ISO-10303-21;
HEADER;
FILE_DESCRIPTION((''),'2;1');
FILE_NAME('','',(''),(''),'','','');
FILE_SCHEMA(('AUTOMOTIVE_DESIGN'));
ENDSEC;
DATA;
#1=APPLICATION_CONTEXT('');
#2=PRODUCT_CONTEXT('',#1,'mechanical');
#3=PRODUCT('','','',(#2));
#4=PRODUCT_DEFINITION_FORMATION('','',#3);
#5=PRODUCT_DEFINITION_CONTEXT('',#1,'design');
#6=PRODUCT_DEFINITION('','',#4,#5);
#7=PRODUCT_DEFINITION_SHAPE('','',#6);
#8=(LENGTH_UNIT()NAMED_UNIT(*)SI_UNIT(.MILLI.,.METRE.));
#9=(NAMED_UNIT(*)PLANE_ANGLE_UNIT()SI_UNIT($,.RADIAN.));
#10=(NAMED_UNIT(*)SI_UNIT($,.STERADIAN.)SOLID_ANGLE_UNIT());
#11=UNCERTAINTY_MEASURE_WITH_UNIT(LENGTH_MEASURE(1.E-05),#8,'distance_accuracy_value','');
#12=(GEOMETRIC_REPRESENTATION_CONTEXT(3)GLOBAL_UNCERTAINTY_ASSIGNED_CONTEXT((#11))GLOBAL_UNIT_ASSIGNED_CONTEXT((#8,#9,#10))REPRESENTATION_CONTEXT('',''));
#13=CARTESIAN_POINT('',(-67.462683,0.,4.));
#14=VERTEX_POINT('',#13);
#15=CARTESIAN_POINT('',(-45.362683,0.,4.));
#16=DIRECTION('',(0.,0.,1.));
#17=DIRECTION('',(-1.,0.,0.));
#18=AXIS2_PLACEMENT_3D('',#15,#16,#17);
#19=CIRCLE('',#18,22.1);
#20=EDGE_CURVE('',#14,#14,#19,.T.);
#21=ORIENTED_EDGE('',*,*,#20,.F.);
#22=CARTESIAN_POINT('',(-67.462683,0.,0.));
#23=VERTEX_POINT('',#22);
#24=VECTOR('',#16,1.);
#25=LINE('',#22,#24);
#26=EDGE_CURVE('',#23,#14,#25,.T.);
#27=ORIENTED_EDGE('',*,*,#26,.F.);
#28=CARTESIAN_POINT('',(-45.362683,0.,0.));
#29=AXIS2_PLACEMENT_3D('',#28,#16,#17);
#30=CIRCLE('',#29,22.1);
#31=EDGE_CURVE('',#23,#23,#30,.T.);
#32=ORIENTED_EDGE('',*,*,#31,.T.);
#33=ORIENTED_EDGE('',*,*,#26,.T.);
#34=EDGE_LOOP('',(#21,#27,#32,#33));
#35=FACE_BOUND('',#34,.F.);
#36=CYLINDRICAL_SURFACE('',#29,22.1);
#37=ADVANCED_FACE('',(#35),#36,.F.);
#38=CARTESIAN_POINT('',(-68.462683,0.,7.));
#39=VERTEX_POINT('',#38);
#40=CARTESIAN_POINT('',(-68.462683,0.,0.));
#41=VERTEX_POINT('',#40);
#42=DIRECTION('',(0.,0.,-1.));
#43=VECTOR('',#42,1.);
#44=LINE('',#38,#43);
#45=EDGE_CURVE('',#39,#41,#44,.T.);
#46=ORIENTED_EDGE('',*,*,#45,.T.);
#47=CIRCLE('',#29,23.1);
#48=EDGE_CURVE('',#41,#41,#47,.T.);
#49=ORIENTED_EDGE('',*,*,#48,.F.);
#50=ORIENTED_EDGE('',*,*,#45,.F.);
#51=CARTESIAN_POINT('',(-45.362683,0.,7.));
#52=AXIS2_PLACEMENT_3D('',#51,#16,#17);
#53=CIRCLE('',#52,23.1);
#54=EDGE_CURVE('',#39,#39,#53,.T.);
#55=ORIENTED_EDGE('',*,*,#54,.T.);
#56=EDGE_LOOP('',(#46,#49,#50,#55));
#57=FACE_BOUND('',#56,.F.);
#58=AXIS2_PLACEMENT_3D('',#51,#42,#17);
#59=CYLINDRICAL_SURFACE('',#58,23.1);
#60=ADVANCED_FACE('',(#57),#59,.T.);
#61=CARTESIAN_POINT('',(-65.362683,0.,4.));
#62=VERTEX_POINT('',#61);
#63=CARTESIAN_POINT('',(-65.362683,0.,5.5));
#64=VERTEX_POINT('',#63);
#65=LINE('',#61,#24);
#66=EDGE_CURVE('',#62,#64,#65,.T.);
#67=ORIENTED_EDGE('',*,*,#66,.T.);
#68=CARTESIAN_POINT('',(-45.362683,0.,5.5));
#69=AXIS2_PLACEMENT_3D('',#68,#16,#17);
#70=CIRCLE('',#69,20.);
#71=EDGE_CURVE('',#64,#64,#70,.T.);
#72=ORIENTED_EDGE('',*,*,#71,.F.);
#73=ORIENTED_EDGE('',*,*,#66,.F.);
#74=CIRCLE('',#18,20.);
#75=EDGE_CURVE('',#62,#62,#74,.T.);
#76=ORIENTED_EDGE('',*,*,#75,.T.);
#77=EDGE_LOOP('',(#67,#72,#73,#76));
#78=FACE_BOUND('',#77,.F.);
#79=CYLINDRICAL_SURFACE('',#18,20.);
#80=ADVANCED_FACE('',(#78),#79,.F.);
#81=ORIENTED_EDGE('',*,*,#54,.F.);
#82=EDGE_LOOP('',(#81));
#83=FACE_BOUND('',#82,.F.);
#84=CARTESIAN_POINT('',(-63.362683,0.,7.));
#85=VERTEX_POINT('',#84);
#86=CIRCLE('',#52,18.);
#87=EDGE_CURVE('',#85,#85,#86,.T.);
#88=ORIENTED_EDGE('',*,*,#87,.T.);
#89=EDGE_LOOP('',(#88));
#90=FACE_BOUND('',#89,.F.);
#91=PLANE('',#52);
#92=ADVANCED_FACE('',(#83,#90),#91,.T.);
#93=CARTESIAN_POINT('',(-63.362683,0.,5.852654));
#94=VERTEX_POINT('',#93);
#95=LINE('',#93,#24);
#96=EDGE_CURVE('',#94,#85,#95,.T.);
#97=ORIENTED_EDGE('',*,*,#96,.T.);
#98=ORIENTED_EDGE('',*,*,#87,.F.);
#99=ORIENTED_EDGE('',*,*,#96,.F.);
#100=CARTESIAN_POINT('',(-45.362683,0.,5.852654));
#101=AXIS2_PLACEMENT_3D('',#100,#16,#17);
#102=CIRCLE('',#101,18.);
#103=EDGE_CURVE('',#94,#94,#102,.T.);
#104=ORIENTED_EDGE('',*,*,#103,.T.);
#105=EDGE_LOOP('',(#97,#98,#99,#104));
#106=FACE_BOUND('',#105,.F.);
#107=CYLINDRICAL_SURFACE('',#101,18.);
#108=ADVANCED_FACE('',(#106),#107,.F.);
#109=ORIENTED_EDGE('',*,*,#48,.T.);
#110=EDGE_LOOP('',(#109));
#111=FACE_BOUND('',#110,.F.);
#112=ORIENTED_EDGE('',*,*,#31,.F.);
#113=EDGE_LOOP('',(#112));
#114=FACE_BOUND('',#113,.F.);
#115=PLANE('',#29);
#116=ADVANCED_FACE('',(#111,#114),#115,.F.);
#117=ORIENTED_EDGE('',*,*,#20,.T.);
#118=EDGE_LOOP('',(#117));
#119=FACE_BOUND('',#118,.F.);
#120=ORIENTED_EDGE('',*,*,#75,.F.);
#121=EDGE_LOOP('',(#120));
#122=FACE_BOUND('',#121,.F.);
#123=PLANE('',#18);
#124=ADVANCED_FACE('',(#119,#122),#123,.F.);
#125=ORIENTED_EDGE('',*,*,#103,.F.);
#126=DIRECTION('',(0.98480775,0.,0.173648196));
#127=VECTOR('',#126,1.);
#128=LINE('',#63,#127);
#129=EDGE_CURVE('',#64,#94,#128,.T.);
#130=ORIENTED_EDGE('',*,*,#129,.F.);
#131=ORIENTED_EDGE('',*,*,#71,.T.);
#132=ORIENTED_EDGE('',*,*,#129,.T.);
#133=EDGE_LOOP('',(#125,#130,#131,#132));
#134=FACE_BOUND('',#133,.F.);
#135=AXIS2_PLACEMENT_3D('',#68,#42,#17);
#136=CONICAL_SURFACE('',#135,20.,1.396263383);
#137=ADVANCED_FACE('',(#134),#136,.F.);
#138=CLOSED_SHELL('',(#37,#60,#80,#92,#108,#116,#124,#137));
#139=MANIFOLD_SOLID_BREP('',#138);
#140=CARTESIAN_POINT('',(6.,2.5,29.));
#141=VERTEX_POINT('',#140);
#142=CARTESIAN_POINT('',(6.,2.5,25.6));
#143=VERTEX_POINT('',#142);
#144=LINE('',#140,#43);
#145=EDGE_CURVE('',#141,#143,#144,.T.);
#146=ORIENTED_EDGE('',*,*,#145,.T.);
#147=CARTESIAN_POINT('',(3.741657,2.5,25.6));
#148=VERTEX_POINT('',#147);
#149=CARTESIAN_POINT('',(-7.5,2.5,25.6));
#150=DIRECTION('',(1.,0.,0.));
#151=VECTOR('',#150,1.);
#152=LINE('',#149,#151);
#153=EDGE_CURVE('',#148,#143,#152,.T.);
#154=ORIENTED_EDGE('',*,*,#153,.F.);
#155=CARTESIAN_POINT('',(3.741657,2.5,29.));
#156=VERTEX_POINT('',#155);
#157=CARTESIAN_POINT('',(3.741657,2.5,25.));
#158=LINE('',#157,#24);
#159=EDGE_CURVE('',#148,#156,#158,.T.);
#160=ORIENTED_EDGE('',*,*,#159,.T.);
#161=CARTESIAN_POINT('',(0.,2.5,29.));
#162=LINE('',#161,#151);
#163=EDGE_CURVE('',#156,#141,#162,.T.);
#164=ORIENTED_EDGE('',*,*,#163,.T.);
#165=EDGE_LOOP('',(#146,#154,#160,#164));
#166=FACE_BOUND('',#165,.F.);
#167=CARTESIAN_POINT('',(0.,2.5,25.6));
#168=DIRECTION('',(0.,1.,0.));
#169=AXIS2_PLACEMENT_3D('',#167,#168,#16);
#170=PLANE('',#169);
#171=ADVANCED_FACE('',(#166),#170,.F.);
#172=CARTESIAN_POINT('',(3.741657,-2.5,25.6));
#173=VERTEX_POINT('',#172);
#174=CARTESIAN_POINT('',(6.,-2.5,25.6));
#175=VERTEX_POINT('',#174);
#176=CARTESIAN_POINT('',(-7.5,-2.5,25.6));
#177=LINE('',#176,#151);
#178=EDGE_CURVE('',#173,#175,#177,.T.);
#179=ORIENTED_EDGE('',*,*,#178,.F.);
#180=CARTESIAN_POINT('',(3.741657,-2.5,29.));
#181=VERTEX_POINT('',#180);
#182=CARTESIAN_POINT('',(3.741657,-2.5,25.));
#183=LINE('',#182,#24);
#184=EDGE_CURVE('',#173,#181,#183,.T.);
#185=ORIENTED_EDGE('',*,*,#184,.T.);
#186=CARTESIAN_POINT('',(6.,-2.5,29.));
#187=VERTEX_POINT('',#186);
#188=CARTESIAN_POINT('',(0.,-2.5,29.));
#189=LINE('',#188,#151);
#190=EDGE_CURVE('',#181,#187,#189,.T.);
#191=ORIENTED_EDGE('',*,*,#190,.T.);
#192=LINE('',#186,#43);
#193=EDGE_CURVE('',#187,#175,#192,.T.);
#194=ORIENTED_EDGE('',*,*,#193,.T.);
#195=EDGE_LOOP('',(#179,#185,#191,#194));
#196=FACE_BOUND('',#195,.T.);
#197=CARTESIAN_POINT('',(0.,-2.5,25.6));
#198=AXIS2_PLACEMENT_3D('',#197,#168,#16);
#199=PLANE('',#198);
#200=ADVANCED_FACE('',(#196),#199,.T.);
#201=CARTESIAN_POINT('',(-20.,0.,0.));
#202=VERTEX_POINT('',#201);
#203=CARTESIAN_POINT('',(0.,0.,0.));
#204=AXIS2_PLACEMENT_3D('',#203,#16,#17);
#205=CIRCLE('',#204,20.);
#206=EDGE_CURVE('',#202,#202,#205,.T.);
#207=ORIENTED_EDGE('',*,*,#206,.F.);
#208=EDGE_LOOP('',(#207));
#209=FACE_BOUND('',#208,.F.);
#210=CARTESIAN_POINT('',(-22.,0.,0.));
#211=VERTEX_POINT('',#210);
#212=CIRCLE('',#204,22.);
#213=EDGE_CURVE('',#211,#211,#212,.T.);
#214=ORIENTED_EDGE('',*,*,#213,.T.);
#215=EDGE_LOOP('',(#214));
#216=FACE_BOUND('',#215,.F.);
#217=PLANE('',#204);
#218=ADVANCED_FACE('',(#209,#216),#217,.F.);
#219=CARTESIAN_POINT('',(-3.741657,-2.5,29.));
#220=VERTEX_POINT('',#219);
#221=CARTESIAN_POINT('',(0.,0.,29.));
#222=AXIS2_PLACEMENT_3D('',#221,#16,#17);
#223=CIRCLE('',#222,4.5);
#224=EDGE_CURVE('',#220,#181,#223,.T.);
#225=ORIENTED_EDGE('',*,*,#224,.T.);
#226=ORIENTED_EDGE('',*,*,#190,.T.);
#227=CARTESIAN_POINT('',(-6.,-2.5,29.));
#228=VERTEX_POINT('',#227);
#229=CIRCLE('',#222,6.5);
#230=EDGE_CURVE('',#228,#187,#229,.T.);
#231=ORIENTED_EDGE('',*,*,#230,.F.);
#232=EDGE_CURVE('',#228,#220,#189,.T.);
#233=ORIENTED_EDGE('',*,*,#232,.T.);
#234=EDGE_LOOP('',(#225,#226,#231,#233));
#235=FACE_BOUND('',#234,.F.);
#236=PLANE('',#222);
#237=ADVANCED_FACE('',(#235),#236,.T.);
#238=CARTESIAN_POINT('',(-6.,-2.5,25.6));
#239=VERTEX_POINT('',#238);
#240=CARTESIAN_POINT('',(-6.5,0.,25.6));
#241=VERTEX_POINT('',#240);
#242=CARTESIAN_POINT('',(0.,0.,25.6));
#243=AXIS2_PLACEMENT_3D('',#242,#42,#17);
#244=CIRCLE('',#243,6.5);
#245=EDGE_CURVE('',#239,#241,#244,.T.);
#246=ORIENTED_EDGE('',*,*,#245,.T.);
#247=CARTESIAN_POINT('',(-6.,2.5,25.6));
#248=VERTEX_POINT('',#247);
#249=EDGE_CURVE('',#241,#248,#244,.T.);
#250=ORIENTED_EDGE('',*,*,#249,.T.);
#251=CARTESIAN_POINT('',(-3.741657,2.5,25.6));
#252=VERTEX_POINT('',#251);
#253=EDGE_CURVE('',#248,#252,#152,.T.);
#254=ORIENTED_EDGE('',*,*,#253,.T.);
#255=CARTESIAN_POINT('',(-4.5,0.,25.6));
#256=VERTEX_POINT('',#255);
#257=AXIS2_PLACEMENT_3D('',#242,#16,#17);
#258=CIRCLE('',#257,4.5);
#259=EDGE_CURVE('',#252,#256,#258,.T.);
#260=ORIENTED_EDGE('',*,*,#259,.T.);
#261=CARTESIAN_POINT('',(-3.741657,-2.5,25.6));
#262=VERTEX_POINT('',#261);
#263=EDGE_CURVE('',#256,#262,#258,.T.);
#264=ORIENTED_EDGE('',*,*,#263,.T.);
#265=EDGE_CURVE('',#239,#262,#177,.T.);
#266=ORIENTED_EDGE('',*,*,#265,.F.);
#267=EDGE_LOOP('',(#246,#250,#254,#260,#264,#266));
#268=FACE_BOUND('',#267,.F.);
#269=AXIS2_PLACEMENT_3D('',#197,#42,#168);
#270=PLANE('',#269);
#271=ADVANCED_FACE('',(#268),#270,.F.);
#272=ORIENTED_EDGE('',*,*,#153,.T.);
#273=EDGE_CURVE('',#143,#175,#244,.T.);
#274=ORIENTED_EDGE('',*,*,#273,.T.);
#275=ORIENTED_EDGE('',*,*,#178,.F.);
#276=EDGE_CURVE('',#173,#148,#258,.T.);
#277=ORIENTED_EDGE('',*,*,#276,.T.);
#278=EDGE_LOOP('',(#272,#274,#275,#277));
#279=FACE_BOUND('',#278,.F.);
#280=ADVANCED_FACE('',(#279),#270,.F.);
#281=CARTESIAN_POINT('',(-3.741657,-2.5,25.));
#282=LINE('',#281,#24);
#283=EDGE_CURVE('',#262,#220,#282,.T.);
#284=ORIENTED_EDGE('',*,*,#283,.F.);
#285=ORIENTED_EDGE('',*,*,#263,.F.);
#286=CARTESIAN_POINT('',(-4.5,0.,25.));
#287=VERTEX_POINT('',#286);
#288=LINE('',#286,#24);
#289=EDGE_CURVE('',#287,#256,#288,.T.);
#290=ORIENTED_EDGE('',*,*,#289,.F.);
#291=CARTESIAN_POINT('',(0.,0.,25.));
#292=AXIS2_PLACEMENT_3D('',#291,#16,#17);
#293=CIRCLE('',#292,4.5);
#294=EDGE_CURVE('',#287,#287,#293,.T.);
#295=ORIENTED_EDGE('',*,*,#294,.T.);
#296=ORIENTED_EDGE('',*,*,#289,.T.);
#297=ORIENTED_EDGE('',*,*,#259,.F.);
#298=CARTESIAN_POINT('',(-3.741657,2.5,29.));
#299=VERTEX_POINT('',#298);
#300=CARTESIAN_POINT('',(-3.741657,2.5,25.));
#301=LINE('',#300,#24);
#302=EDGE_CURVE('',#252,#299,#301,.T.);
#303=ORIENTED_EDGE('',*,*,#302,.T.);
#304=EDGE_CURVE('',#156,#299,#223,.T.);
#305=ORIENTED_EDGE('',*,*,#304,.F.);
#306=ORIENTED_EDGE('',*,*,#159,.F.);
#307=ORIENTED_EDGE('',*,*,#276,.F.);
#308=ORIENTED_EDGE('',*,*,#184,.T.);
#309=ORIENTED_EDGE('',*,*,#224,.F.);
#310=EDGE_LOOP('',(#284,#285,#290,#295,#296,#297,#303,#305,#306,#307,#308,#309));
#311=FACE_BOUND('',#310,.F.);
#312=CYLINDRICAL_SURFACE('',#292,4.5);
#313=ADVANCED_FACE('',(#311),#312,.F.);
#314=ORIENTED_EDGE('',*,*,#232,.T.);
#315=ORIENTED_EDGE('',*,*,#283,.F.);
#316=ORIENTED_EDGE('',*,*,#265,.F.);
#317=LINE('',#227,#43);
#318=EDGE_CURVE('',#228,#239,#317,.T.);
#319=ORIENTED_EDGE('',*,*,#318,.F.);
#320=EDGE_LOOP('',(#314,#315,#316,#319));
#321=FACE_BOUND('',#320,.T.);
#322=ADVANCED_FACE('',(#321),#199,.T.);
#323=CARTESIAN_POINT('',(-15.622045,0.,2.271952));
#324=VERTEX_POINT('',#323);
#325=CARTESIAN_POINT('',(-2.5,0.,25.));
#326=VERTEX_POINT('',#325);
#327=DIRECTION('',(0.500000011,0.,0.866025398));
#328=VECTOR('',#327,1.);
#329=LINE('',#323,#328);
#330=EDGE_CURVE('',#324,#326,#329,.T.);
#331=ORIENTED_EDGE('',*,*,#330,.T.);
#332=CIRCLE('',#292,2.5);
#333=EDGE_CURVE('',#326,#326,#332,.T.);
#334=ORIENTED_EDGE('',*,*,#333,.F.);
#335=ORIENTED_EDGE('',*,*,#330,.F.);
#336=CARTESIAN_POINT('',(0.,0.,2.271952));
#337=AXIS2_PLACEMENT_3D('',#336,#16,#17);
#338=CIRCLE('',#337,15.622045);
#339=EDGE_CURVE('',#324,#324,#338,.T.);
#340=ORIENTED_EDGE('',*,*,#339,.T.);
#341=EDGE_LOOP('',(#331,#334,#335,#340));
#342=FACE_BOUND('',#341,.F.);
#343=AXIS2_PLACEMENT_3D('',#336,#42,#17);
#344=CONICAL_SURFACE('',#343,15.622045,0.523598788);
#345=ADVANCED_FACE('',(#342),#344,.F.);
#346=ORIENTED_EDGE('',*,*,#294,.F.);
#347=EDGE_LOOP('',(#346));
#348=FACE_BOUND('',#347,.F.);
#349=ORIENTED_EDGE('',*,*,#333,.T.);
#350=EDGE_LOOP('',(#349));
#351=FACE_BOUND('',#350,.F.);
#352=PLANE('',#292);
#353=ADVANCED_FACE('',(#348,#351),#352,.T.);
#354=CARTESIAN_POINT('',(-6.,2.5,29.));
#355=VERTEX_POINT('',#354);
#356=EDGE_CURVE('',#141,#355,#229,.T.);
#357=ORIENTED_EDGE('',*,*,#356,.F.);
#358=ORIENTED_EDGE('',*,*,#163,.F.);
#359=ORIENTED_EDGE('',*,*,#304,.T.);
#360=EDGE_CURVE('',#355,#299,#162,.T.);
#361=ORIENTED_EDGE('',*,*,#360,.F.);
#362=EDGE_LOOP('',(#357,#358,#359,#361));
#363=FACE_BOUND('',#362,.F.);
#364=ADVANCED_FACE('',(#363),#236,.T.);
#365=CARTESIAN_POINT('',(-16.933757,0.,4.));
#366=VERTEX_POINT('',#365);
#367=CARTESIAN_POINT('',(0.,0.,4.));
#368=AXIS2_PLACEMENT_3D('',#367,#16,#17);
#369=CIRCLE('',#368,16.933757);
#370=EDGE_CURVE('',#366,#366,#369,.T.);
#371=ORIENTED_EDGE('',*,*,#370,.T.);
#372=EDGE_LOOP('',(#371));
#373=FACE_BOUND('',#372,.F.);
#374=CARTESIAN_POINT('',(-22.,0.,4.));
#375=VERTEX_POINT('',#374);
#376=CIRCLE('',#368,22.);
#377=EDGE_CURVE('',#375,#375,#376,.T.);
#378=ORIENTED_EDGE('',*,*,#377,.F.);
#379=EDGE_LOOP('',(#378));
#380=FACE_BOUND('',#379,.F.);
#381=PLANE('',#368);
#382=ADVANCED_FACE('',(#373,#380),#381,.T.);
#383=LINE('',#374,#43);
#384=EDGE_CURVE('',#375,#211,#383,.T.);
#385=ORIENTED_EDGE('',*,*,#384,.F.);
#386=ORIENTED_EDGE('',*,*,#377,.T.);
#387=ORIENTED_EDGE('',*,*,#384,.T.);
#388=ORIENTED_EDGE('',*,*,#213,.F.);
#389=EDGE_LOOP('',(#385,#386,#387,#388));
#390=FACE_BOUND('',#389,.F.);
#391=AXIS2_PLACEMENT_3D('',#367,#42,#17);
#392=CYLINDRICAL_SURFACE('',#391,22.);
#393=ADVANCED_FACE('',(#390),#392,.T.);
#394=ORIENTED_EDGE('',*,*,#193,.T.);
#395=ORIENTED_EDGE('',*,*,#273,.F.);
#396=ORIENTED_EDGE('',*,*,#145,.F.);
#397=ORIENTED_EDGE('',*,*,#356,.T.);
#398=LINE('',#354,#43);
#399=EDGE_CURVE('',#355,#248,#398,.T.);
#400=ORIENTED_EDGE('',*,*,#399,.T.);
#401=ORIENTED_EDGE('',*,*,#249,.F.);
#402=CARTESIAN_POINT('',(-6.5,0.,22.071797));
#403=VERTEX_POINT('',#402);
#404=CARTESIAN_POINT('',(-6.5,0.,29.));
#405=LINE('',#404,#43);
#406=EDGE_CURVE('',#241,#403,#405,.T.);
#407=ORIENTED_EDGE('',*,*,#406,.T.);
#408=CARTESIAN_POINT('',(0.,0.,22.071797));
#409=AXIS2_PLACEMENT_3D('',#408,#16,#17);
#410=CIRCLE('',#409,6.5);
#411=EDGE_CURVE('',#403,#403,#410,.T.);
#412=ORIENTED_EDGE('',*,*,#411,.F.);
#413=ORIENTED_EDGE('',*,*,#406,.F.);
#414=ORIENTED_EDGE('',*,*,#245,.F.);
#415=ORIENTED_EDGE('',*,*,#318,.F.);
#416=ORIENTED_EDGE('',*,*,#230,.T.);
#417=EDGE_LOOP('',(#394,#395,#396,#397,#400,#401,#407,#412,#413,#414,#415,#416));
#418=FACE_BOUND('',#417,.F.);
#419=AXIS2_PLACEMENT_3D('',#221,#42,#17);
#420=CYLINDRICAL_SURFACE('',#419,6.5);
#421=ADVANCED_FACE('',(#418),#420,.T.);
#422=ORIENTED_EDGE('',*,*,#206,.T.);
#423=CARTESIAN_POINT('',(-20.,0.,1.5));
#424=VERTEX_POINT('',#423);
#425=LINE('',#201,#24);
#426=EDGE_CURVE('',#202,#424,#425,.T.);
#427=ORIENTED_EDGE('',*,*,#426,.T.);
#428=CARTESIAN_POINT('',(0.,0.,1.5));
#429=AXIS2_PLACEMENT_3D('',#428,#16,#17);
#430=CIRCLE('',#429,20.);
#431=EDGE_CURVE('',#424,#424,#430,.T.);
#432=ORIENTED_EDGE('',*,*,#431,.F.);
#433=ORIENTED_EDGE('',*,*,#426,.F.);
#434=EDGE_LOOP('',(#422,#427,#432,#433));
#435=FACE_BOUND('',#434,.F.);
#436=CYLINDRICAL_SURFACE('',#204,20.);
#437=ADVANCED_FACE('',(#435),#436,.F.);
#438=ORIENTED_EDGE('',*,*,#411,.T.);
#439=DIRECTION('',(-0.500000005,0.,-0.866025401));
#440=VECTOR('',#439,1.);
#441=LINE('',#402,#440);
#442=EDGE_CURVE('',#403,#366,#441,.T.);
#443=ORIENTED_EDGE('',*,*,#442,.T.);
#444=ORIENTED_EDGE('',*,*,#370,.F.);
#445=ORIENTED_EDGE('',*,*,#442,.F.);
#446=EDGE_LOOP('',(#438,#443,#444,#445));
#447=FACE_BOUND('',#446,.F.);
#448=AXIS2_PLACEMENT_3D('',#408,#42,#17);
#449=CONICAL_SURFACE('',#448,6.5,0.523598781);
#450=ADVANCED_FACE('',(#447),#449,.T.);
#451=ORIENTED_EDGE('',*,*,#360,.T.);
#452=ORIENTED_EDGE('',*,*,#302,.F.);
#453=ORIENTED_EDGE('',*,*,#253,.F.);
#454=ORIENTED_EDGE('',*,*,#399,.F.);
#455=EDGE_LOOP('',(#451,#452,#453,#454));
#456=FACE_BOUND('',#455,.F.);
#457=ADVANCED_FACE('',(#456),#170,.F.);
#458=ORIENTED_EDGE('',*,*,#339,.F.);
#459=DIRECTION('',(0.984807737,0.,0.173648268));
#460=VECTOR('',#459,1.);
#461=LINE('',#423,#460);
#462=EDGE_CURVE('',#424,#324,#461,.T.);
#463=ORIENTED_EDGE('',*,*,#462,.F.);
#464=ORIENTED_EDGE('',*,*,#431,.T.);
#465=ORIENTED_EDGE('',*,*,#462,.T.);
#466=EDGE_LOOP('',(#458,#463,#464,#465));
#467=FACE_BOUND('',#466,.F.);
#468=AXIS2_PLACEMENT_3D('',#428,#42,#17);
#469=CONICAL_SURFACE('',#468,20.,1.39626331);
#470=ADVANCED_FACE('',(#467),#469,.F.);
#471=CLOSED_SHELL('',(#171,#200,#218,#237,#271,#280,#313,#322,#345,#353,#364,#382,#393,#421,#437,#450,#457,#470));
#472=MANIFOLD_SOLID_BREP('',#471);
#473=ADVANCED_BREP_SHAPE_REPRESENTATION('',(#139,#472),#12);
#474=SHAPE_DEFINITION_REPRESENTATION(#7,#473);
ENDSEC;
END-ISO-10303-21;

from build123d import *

# Parameters (mm, degrees)
F2_W     = 5
F2_H     = 8
F3_DEPTH = 7.5


with BuildPart() as f1:
    # F0 (on Front) → F1 (revolve)
    with BuildSketch(Plane.XZ):
        Polygon((-22, 0), (-20, 0), (-20, 1.5), (-15.622045, 2.271952), (-2.5, 25), (-4.5, 25), (-4.5, 29), (-6.5, 29), (-6.5, 22.071797), (-16.933757, 4), (-22, 4), align=None)
    revolve(axis=Axis((0, 0, 15.472903), (0, 0, 1)))

    # F2 (on Right) → F3 (cut, symmetric)
    with BuildSketch(Plane.YZ):
        with Locations((0, 29.6)):
            Rectangle(F2_W, F2_H)
    extrude(amount=F3_DEPTH, both=True, mode=Mode.SUBTRACT)


with BuildPart() as f5:
    # F4 (on Front) → F5 (revolve)
    with BuildSketch(Plane.XZ):
        Polygon((-63.362683, 7), (-68.462683, 7), (-68.462683, 0), (-67.462683, 0), (-67.462683, 4), (-65.362683, 4), (-65.362683, 5.5), (-63.362683, 5.852654), align=None)
    revolve(axis=Axis((-45.362683, 0, 7.750538), (0, 0, 1)))


solid = Compound([f1.part, f5.part])
